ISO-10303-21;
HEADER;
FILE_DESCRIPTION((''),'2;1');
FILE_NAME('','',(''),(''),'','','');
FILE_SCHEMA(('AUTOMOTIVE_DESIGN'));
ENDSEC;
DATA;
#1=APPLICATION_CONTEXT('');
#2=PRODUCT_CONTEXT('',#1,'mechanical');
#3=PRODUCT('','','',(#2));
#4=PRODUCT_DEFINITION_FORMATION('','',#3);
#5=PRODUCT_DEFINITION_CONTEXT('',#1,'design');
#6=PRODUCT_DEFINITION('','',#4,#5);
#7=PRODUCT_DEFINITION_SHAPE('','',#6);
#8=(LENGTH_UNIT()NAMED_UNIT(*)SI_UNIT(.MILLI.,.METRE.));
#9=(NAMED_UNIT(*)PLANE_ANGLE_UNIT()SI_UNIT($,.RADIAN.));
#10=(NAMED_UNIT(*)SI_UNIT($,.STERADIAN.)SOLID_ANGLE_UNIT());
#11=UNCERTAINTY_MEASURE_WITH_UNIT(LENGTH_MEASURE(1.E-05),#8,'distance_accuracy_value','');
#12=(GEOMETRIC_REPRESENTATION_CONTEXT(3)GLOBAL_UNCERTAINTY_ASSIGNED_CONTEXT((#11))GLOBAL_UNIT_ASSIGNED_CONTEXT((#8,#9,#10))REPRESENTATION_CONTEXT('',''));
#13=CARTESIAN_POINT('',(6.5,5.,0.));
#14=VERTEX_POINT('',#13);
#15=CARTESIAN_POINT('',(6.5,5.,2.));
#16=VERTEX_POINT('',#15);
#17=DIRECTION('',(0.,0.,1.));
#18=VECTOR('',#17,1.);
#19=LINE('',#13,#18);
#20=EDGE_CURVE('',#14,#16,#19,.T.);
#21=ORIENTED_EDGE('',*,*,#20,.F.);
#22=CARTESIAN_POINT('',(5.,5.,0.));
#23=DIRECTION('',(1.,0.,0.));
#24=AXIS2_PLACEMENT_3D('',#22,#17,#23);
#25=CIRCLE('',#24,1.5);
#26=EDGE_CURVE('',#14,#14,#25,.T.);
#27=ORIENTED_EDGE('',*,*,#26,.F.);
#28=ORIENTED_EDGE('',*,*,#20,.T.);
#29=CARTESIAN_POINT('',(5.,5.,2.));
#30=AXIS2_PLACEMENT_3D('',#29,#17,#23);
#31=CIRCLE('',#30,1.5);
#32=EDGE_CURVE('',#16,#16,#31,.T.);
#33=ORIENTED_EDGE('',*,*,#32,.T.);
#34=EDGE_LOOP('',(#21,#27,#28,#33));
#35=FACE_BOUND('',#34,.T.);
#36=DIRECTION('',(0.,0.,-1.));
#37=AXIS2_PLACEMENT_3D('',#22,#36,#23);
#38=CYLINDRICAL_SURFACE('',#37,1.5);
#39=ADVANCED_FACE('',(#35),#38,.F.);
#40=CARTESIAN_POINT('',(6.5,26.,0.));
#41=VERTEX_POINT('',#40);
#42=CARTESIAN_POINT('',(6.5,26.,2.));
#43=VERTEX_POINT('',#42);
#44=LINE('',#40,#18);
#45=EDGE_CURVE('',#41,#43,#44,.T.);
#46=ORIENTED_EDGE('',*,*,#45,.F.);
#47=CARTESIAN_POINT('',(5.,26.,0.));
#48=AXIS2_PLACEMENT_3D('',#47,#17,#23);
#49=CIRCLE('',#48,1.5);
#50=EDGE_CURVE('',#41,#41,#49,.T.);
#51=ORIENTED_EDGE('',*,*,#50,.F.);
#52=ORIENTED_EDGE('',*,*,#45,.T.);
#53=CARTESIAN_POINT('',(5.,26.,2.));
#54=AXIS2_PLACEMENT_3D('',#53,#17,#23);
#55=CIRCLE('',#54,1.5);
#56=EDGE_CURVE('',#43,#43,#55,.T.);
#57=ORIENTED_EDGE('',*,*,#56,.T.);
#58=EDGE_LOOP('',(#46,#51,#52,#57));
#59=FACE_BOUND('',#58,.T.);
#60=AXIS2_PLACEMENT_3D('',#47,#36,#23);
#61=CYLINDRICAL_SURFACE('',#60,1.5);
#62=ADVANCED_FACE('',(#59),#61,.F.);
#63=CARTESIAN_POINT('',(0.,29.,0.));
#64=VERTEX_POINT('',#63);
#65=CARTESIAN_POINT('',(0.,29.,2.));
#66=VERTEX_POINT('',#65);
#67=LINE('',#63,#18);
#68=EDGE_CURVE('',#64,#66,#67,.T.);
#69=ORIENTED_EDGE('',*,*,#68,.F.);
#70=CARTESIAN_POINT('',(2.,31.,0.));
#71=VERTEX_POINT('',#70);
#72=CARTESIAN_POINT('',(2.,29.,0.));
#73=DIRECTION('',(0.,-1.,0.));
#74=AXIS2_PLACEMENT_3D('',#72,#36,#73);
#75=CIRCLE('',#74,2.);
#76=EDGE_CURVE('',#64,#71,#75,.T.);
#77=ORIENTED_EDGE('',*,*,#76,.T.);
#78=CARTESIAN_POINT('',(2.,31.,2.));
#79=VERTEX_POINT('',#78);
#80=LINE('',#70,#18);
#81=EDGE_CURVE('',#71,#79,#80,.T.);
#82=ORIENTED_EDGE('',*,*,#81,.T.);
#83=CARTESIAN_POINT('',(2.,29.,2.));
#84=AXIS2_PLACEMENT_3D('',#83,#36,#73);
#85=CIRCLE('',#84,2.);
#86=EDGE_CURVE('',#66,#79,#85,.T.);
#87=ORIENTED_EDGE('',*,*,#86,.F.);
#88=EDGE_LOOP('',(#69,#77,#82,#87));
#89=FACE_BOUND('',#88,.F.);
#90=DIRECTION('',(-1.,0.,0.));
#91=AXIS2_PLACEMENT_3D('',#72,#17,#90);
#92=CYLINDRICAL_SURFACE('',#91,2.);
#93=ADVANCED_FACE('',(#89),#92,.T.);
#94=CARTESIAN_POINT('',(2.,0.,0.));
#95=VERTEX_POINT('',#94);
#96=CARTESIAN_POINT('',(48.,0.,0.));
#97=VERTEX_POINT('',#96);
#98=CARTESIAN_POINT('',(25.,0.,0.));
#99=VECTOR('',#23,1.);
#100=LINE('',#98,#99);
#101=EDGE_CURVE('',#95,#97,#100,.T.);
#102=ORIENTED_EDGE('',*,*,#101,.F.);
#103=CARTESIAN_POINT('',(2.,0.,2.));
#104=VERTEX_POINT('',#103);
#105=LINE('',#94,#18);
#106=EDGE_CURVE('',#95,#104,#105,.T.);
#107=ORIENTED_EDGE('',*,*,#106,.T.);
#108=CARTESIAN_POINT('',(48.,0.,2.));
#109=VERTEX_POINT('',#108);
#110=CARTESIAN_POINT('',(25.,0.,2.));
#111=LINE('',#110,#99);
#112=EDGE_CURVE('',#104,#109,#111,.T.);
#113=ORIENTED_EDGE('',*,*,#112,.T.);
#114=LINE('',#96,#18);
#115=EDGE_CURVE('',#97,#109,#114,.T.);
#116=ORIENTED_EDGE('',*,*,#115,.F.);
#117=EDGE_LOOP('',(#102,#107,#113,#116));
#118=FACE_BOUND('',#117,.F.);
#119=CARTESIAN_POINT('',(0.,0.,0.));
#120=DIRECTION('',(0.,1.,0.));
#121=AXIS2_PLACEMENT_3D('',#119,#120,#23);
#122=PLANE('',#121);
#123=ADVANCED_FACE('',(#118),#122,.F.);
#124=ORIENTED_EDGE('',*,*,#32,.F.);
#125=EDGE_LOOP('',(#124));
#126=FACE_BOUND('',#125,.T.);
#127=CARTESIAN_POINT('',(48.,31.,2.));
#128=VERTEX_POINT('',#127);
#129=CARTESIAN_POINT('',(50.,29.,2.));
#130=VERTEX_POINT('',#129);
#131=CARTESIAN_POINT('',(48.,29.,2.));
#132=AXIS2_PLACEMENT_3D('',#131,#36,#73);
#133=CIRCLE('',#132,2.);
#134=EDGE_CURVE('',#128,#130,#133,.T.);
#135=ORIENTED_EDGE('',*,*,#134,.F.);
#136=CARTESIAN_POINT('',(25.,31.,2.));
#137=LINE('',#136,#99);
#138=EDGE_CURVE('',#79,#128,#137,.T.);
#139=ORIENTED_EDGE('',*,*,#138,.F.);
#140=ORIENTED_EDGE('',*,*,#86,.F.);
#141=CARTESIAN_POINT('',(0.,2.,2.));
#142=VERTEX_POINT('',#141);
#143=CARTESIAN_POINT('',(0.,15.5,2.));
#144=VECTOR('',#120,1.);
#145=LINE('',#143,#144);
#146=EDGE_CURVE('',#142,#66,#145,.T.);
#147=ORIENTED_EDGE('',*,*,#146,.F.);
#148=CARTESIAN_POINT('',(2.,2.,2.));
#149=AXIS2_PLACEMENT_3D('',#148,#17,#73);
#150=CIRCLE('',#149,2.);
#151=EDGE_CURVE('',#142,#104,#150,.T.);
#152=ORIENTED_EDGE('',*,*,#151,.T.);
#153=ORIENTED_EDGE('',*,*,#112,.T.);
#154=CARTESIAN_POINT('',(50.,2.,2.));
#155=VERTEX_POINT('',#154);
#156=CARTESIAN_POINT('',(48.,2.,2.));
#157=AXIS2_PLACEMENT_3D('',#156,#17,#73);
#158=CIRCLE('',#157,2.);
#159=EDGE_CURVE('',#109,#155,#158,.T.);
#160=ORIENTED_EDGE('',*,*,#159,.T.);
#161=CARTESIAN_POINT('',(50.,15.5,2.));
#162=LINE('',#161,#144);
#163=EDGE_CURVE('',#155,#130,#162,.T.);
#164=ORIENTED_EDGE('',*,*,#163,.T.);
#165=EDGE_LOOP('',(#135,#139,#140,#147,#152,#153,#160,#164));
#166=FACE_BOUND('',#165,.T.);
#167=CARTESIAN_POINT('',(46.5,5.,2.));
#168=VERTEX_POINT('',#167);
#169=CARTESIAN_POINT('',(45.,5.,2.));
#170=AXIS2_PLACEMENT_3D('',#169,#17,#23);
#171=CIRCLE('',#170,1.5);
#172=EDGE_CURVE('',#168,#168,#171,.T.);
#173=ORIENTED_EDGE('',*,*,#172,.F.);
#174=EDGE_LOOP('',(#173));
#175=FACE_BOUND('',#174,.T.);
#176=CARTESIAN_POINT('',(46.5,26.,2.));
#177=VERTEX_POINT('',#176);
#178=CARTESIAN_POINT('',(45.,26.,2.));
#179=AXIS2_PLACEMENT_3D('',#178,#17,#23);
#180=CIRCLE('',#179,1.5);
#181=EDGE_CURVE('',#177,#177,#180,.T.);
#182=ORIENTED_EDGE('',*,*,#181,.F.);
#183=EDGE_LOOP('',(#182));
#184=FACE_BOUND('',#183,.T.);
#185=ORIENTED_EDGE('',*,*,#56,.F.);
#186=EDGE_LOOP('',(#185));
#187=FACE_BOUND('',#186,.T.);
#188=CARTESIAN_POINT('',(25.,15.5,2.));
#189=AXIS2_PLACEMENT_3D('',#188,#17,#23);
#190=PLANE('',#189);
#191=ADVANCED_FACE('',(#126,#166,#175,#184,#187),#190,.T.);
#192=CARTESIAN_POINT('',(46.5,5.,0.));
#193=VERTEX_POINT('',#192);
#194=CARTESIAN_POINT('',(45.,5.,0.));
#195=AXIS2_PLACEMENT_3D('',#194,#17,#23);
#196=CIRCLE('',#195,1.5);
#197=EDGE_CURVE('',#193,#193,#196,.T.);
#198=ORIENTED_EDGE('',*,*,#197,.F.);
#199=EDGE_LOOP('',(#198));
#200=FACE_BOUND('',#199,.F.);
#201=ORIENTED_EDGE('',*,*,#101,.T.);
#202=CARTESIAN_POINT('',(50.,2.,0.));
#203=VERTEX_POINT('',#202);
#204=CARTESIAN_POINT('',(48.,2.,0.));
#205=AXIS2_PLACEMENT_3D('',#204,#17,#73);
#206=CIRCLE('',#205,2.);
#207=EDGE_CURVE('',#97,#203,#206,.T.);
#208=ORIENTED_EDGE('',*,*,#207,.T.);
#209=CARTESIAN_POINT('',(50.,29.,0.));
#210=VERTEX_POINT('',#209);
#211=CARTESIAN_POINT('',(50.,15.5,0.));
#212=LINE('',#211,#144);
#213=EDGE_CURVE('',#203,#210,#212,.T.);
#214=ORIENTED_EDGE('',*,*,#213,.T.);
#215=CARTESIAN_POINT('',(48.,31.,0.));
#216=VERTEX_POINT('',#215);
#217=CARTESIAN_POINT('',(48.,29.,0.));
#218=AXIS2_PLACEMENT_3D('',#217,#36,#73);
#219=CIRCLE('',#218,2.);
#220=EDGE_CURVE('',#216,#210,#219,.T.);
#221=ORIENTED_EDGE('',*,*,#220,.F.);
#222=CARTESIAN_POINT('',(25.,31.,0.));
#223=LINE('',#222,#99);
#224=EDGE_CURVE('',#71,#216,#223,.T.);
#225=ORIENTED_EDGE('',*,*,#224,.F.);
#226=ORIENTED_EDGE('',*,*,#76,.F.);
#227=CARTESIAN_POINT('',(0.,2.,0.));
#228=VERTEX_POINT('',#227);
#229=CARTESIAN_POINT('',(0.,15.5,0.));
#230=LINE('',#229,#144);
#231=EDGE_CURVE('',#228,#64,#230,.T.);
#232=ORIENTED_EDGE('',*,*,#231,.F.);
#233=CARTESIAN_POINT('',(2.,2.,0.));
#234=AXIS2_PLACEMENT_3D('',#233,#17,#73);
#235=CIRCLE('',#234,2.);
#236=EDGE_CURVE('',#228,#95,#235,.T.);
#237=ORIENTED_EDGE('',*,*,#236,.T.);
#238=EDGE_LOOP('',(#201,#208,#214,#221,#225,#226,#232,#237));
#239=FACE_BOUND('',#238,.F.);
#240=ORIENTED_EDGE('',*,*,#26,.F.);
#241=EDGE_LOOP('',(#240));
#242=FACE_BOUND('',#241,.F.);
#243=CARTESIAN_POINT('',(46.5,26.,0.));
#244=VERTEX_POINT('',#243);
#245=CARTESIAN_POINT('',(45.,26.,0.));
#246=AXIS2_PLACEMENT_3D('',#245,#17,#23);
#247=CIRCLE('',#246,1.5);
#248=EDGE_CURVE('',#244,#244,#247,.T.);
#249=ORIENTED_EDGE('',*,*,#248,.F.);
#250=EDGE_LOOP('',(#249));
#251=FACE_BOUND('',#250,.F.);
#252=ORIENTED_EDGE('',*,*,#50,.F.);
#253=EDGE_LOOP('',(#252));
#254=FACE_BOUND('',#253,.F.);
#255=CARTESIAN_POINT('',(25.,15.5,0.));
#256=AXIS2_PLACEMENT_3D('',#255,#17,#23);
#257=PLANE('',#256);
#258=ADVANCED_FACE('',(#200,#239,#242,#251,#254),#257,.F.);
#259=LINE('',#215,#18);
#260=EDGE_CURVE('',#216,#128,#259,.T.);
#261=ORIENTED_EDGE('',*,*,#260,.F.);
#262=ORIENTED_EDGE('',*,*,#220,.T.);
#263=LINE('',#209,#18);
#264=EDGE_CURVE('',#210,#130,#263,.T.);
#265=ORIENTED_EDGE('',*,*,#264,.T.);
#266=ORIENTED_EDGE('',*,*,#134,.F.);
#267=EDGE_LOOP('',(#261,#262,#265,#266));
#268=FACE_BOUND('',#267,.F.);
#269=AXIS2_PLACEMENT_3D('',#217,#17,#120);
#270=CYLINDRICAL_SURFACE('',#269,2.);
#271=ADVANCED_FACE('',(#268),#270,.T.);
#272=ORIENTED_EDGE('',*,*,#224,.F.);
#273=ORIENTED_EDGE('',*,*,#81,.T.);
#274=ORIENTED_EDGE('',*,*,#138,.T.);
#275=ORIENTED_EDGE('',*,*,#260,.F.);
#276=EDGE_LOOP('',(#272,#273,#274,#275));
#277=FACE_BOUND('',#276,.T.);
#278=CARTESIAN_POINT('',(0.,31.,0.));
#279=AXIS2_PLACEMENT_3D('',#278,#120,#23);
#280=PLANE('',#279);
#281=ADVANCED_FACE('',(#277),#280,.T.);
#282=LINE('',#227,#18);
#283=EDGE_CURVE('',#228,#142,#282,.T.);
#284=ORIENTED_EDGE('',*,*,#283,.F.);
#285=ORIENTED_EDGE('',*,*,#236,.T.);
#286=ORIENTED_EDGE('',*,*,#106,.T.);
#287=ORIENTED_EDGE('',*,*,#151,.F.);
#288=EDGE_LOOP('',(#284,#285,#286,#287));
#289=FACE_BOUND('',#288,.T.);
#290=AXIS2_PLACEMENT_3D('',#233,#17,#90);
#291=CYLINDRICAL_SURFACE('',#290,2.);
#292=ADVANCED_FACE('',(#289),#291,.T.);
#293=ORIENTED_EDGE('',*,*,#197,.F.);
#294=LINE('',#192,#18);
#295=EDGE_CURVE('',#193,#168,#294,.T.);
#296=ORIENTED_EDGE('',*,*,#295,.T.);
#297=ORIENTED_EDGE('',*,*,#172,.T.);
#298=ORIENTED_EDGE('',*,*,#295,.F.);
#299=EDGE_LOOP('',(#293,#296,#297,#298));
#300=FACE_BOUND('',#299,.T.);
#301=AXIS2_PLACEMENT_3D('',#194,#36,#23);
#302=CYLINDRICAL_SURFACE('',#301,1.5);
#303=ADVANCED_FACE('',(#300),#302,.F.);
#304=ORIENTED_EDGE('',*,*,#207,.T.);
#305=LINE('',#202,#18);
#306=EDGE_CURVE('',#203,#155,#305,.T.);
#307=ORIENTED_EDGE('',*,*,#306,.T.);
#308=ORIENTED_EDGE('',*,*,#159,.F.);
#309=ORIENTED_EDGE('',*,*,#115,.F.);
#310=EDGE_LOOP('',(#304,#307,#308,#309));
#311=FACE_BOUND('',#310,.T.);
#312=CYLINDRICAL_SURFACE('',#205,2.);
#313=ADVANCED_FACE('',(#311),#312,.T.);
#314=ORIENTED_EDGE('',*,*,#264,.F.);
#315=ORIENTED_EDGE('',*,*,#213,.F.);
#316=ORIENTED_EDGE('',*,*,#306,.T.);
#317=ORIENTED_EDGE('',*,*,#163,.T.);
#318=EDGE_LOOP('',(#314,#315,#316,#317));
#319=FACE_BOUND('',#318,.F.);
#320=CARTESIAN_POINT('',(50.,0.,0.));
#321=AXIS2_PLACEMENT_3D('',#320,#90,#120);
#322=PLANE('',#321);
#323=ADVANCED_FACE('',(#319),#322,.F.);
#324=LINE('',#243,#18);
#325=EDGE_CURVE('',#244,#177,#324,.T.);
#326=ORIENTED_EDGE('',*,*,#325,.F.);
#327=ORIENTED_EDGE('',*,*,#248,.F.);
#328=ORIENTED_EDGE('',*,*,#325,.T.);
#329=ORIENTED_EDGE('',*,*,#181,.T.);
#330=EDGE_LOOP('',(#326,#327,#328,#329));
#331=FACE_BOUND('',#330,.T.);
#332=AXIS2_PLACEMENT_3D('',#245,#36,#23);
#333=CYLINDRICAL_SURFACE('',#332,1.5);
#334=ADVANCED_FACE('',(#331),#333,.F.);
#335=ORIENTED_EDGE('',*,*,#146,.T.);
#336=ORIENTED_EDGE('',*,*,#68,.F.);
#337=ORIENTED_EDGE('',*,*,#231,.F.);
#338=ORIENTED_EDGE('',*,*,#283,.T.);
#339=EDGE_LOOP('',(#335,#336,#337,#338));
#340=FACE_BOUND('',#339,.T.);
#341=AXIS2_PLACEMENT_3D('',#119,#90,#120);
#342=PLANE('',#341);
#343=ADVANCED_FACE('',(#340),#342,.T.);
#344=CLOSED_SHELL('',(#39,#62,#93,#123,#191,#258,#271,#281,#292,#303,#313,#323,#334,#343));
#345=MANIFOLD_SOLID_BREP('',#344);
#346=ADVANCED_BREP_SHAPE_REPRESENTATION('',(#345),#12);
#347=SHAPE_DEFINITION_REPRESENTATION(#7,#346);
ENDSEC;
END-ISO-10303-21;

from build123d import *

# Parameters (mm, degrees)
F0_W     = 50
F0_H     = 31
F0_R     = 1.5
F1_DEPTH = 2
F2_R     = 2


with BuildPart() as f1:
    # F0 (on Top) → F1 (new body)
    with BuildSketch(Plane.XY):
        with Locations((25, 15.5)):
            Rectangle(F0_W, F0_H)
        with Locations((5, 5)):
            Circle(F0_R, mode=Mode.SUBTRACT)
        with Locations((45, 5)):
            Circle(F0_R, mode=Mode.SUBTRACT)
        with Locations((5, 26)):
            Circle(F0_R, mode=Mode.SUBTRACT)
        with Locations((45, 26)):
            Circle(F0_R, mode=Mode.SUBTRACT)
    extrude(amount=F1_DEPTH)

    # F2
    f2_edges = [f1.edges().sort_by_distance(p)[0] for p in [
        (0, 0, 1),
        (0, 31, 1),
        (50, 0, 1),
        (50, 31, 1),
    ]]
    fillet(f2_edges, radius=F2_R)


solid = f1.part
